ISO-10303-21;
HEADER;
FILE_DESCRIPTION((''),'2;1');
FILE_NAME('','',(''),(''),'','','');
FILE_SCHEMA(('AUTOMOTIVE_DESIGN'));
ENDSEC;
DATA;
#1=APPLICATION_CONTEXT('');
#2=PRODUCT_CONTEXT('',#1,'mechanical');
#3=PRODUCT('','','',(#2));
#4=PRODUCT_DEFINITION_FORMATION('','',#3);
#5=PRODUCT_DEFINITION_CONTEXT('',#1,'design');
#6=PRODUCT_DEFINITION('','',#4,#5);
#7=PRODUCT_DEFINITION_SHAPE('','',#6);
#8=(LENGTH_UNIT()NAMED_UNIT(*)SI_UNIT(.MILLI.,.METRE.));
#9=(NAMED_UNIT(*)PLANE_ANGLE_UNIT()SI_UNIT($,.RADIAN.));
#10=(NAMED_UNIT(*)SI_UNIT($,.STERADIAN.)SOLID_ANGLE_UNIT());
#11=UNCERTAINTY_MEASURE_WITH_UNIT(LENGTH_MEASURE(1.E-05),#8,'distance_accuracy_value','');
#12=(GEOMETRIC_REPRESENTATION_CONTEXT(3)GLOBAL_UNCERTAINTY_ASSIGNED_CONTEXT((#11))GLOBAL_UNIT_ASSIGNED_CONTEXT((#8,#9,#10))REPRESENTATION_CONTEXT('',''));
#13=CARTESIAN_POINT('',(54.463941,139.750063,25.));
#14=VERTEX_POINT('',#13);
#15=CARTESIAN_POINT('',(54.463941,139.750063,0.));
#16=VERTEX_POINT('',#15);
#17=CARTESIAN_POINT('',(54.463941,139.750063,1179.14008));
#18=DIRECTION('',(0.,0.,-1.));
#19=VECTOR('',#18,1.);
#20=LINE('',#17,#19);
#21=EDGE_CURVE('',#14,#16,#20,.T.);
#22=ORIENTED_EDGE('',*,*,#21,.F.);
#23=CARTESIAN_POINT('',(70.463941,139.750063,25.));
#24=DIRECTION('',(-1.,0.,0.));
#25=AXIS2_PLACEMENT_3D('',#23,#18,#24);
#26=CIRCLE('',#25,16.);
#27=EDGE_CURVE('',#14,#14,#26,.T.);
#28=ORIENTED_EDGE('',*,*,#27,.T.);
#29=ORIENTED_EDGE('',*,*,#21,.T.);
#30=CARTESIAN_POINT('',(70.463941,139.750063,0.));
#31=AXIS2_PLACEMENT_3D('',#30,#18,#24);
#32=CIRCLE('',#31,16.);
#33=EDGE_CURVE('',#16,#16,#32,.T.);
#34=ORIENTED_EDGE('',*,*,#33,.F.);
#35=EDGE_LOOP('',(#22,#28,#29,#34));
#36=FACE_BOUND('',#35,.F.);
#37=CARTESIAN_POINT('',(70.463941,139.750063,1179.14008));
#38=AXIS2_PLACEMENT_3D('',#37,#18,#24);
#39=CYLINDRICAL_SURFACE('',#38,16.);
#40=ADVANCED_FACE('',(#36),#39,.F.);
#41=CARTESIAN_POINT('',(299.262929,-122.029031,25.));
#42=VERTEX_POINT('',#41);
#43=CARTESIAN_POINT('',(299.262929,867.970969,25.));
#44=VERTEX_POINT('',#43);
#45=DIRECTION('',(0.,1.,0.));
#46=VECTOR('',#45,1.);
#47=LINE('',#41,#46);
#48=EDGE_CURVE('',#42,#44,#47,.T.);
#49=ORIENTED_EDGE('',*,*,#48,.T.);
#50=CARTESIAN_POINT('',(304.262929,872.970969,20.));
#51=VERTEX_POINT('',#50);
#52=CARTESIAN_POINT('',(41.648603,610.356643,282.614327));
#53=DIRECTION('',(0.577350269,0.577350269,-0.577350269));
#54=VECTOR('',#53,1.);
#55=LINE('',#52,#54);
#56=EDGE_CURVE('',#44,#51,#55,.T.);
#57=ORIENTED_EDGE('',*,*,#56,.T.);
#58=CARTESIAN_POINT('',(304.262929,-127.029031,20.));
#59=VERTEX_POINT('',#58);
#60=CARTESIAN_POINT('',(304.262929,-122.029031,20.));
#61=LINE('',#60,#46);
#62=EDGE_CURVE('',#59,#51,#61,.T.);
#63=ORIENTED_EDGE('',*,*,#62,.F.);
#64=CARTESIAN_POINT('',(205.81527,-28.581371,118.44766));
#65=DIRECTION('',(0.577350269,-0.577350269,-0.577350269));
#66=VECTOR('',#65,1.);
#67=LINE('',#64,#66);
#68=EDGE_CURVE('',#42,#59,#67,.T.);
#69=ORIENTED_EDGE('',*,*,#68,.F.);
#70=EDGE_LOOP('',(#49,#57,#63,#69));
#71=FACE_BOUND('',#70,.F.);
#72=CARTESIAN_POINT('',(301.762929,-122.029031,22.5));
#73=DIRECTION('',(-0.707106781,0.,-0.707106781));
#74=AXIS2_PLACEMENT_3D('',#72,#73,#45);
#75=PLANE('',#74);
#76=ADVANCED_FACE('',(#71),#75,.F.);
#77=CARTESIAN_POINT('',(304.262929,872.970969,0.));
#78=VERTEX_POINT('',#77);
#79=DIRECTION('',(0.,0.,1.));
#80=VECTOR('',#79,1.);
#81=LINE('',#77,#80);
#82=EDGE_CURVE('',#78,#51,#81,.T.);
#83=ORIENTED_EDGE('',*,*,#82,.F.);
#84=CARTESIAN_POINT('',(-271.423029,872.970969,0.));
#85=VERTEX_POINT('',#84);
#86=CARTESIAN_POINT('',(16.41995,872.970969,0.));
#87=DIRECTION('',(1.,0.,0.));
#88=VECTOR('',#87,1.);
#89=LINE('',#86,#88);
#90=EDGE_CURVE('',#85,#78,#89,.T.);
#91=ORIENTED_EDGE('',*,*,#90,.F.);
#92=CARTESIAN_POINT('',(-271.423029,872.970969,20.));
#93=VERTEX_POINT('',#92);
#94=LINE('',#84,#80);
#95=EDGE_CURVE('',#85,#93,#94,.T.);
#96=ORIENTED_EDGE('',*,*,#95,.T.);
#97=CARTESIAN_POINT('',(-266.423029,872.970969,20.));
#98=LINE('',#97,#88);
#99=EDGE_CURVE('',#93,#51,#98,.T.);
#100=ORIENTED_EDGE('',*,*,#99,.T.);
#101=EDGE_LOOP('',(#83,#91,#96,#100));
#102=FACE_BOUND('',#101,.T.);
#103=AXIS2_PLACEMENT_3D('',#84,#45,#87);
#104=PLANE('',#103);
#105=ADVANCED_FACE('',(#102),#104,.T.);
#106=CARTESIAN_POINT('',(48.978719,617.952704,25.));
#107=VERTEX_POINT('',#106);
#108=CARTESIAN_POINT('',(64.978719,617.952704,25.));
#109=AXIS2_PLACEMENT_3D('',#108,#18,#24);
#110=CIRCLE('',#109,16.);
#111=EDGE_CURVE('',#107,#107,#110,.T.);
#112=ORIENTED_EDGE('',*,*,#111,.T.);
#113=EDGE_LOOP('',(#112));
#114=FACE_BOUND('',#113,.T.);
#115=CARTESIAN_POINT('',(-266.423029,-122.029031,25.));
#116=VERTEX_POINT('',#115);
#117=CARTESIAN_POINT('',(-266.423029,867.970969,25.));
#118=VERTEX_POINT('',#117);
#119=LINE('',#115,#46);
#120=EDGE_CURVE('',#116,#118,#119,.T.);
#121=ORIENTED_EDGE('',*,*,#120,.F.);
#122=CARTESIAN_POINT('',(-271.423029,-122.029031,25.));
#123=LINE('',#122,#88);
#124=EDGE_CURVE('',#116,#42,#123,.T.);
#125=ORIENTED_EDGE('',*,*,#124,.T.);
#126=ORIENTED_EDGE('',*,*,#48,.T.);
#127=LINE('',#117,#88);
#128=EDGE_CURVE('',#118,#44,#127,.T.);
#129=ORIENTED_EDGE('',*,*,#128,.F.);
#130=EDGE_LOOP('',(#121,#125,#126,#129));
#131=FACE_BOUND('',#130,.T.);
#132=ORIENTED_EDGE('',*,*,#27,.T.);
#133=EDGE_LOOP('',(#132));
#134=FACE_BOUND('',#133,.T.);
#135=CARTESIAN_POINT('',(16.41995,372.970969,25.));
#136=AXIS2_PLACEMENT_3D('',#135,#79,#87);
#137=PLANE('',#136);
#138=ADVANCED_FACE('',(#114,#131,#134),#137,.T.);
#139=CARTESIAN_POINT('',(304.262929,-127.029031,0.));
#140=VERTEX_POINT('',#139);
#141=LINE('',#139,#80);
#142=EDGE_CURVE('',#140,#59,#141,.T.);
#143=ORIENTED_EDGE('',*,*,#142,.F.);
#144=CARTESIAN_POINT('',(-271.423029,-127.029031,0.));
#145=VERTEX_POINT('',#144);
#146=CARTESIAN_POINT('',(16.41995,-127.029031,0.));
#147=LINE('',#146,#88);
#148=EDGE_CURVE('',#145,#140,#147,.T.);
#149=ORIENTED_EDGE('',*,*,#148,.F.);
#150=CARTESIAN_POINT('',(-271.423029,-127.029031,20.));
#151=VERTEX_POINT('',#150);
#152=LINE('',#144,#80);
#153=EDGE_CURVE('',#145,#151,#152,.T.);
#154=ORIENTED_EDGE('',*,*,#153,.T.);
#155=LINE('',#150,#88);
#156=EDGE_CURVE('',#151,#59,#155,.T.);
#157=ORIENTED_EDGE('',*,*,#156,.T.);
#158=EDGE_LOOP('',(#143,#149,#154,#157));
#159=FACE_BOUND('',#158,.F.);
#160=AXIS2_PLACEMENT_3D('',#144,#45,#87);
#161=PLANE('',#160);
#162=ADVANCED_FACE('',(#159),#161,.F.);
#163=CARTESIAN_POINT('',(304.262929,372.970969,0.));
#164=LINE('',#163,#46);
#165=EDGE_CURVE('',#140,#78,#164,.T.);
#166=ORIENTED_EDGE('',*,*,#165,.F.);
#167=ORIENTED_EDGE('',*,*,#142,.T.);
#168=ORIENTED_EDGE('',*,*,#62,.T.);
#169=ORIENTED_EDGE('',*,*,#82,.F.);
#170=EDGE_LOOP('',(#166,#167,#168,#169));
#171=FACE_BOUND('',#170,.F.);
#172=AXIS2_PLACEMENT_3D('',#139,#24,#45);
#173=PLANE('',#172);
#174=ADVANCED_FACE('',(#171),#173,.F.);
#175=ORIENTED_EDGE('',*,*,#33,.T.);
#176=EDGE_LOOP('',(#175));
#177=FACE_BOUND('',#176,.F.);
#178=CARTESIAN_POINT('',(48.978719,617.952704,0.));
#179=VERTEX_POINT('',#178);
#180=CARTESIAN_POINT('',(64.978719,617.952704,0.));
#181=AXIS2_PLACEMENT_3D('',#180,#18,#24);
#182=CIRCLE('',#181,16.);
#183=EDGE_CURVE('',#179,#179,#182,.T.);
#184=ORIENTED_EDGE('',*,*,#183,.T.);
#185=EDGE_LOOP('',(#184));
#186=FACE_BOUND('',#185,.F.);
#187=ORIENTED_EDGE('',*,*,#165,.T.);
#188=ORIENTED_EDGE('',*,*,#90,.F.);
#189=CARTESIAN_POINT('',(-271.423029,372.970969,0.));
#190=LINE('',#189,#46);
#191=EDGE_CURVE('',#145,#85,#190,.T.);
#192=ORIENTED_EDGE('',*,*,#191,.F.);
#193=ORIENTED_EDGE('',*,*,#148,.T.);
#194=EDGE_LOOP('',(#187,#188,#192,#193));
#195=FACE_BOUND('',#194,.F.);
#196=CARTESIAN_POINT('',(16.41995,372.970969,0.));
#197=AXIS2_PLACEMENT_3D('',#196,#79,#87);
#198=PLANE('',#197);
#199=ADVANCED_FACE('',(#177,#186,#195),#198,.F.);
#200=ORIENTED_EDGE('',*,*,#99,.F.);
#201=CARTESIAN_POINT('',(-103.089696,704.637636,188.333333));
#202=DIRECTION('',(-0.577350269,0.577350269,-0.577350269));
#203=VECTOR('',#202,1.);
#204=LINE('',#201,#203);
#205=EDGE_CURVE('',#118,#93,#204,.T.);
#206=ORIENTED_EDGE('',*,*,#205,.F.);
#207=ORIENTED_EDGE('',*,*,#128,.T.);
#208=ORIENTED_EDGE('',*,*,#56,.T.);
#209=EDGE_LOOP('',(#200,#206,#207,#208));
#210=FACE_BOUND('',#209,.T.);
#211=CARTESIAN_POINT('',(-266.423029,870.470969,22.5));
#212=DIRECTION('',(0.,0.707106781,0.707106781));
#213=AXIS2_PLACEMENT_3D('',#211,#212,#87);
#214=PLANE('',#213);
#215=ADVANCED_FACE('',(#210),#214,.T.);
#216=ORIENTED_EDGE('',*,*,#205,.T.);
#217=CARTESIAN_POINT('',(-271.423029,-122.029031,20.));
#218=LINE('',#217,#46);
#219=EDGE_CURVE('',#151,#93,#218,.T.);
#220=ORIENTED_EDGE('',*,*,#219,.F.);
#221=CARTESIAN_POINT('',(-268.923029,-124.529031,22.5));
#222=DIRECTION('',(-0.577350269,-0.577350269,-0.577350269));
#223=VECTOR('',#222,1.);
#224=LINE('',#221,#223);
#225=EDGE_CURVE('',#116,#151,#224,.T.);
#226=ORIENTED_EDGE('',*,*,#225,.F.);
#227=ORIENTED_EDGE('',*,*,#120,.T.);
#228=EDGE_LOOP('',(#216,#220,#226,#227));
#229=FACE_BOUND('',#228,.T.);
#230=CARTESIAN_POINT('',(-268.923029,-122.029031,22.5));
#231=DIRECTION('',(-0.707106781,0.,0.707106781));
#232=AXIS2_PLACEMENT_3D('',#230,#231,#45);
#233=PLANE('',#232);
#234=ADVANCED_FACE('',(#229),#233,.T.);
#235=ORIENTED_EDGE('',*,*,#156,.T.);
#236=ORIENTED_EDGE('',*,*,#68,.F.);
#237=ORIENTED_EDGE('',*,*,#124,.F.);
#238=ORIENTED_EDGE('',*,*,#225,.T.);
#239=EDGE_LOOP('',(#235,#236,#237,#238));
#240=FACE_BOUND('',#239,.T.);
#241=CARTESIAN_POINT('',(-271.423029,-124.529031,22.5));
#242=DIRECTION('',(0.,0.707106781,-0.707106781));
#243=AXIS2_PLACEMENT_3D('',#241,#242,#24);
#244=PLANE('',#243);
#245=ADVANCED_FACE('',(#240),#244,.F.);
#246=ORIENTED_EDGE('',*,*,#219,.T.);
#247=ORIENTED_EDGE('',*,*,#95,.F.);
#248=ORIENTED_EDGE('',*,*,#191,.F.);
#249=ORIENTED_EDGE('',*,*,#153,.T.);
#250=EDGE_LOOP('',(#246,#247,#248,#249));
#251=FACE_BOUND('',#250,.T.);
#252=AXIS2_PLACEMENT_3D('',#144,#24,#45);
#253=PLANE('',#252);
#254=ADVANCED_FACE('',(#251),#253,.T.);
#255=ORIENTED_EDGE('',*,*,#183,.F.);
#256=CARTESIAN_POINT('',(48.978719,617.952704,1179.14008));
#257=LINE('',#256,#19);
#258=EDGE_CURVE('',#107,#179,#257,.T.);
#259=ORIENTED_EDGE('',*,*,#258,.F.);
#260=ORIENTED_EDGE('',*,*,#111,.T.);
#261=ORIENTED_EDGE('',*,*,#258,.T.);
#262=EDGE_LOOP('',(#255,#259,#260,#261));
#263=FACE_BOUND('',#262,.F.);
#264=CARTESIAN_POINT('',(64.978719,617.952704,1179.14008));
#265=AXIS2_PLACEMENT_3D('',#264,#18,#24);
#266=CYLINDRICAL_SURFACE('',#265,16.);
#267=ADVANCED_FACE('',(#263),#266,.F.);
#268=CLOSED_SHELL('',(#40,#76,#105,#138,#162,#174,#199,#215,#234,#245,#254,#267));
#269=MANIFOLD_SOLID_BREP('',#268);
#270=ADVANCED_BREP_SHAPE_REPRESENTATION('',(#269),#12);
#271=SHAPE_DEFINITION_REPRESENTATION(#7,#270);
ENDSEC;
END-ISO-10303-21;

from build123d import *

# Parameters (mm, degrees)
F0_W     = 575.685959
F0_H     = 1000
F1_DEPTH = 25
F3_SIZE  = 5
F4_SIZE  = 5
F5_SIZE  = 5
F6_SIZE  = 5
F8_D     = 32


with BuildPart() as f1:
    # F0 (on Top) → F1 (new body)
    with BuildSketch(Plane.XY):
        with Locations((16.41995, 372.970969)):
            Rectangle(F0_W, F0_H)
    extrude(amount=F1_DEPTH)

    # F3
    f3_edges = [f1.edges().sort_by_distance(p)[0] for p in [
        (16.419951, -127.029031, 25),
    ]]
    chamfer(f3_edges, length=F3_SIZE)

    # F4
    f4_edges = [f1.edges().sort_by_distance(p)[0] for p in [
        (304.26293, 375.470969, 25),
    ]]
    chamfer(f4_edges, length=F4_SIZE)

    # F5
    f5_edges = [f1.edges().sort_by_distance(p)[0] for p in [
        (-271.423029, 375.470969, 25),
    ]]
    chamfer(f5_edges, length=F5_SIZE)

    # F6
    f6_edges = [f1.edges().sort_by_distance(p)[0] for p in [
        (16.419951, 872.970969, 25),
    ]]
    chamfer(f6_edges, length=F6_SIZE)

    # F8 (through all)
    with Locations(Plane.XY.offset(25)):
        with Locations((64.978719, 617.952704), (70.463941, 139.750063)):
            Hole(F8_D / 2)


solid = f1.part
